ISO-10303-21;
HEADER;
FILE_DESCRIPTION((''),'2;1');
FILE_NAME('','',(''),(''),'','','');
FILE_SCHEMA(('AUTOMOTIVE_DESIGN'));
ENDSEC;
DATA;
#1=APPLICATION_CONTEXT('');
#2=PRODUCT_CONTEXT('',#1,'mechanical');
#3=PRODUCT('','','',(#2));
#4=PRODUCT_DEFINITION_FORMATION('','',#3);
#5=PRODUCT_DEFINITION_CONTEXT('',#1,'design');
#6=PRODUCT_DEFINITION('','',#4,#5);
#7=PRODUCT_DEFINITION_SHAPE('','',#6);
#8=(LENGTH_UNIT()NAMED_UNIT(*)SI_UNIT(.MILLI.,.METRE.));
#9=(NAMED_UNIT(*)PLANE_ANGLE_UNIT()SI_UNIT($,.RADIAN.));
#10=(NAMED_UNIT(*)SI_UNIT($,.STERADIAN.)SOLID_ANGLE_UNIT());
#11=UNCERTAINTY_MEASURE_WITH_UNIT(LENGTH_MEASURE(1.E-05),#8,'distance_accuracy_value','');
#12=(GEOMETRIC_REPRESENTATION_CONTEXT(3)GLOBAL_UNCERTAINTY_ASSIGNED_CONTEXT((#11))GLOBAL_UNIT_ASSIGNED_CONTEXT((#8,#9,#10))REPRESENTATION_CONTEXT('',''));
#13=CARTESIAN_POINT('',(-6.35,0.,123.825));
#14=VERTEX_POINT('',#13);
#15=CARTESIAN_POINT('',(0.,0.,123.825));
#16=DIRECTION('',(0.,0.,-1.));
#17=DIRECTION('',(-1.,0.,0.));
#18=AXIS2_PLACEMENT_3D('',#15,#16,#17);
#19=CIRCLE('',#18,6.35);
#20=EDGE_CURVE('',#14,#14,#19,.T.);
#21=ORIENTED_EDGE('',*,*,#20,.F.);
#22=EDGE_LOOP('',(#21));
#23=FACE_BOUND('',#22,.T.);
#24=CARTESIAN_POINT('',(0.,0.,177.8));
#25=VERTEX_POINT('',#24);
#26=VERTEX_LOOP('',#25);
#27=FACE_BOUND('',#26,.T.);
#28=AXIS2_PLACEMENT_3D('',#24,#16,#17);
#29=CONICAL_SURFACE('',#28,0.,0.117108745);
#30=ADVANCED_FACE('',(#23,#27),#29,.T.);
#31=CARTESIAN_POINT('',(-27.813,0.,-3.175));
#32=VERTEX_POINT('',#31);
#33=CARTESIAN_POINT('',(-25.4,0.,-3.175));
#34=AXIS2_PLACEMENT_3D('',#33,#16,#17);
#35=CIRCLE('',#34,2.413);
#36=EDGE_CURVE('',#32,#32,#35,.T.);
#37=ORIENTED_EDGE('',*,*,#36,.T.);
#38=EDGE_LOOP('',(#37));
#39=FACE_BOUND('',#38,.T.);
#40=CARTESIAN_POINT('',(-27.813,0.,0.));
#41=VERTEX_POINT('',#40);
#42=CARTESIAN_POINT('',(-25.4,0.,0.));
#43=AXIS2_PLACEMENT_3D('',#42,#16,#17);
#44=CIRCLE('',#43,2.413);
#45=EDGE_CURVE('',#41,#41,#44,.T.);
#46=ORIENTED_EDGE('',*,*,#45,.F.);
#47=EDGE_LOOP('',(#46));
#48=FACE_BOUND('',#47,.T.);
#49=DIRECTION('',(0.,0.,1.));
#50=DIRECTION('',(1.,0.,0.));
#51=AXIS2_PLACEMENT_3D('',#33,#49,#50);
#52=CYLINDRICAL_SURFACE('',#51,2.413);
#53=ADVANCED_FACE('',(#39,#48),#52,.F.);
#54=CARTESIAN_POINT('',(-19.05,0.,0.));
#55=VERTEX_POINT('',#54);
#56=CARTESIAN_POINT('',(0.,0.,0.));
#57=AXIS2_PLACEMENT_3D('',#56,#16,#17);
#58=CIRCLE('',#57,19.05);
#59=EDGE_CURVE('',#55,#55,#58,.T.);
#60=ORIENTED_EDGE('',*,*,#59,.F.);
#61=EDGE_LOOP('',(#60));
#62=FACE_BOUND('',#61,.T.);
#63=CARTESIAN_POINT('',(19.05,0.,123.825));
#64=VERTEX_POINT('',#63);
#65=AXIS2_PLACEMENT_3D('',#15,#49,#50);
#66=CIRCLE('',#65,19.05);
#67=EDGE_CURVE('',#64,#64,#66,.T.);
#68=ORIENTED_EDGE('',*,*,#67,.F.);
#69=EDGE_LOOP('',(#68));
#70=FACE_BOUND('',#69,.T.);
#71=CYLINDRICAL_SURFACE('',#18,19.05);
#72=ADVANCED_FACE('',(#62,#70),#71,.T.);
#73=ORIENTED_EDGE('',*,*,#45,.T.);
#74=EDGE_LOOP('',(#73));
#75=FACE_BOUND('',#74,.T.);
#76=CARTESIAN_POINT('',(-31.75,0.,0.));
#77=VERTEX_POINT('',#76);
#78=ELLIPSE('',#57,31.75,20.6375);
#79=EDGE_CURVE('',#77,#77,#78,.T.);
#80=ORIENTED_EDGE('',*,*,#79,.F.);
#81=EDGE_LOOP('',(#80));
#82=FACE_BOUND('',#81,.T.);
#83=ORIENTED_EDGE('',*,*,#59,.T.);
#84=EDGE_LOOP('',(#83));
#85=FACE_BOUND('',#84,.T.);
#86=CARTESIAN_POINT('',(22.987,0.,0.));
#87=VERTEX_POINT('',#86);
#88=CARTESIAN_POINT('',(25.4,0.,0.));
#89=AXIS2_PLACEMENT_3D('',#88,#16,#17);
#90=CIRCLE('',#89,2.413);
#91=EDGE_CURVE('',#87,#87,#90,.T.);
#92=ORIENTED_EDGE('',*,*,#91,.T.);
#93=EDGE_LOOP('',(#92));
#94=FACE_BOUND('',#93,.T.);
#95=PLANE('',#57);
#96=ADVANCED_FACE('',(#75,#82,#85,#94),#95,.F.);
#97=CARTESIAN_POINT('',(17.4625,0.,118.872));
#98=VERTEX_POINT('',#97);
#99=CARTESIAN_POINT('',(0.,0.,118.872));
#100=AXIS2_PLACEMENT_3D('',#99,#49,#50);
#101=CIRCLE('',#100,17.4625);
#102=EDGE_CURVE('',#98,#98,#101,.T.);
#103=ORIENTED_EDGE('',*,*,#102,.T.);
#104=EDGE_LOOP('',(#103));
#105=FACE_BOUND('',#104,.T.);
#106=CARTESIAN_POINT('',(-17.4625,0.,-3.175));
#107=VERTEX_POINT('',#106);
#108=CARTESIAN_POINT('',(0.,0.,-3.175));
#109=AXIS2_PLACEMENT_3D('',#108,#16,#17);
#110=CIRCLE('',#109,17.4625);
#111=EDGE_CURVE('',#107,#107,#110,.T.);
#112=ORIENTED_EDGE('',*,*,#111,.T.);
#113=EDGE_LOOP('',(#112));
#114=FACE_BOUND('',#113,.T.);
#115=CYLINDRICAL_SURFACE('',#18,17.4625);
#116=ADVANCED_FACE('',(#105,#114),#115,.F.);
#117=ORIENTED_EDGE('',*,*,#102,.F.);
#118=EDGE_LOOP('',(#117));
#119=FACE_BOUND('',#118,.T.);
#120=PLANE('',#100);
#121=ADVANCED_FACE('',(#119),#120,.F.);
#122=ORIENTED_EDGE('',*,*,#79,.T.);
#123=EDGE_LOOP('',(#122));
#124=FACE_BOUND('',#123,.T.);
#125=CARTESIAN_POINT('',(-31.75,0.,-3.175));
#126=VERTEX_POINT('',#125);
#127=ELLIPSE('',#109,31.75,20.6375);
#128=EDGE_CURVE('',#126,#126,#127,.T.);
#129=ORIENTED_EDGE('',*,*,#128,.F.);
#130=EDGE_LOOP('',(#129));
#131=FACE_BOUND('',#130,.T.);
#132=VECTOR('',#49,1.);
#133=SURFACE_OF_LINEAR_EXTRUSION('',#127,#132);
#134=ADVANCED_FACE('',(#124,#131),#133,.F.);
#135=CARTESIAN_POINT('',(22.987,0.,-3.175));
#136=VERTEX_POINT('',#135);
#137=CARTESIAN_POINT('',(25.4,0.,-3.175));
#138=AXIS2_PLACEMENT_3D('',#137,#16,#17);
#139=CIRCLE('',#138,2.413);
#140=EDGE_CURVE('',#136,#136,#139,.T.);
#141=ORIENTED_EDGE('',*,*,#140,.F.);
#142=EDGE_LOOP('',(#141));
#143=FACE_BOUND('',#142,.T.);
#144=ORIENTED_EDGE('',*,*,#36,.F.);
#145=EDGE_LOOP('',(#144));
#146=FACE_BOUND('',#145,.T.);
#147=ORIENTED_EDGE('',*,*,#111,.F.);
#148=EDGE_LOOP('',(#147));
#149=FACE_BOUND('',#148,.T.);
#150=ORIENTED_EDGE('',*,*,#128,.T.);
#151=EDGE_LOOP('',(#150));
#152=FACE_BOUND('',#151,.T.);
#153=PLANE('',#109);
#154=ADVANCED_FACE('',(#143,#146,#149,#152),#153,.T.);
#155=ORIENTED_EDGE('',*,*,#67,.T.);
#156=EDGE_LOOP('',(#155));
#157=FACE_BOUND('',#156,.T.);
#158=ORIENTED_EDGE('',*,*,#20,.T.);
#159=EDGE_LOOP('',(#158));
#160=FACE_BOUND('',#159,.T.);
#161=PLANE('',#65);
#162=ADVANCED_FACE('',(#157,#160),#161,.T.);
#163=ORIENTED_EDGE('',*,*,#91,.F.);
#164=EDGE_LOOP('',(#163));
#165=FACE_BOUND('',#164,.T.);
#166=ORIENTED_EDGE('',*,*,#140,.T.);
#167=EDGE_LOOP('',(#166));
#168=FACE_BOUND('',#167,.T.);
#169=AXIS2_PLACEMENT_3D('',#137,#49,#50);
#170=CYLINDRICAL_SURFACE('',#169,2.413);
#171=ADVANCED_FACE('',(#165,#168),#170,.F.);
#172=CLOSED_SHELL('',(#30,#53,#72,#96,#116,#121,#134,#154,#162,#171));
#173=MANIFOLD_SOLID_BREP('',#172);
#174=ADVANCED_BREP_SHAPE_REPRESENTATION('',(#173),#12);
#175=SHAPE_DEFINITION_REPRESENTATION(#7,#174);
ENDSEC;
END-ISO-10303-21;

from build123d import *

# Parameters (mm, degrees)
SKETCH1_R           = 19.05
SKETCH1_R_2         = 17.4625
BOSS_EXTRUDE1_DEPTH = 123.825
SKETCH2_RX          = 31.75
SKETCH2_RY          = 20.6375
SKETCH2_R           = 17.4625
SKETCH2_R_2         = 2.413
BOSS_EXTRUDE2_DEPTH = 3.175
SKETCH3_R           = 17.4625
BOSS_EXTRUDE3_DEPTH = 4.953


with BuildPart() as part:
    # Sketch1 → Boss-Extrude1 (new body)
    with BuildSketch(Plane.XY):
        Circle(SKETCH1_R)
        Circle(SKETCH1_R_2, mode=Mode.SUBTRACT)
    extrude(amount=BOSS_EXTRUDE1_DEPTH)

    # Sketch2 → Boss-Extrude2 (add)
    with BuildSketch(Plane(origin=(0, 0, 0), x_dir=(-1, 0, 0), z_dir=(0, 0, -1))):
        with Locations((0, 0)):
            Ellipse(SKETCH2_RX, SKETCH2_RY)
        Circle(SKETCH2_R, mode=Mode.SUBTRACT)
        with Locations((25.4, 0)):
            Circle(SKETCH2_R_2, mode=Mode.SUBTRACT)
        with Locations((-25.4, 0)):
            Circle(SKETCH2_R_2, mode=Mode.SUBTRACT)
    extrude(amount=BOSS_EXTRUDE2_DEPTH)

    # Sketch3 → Boss-Extrude3 (add)
    with BuildSketch(Plane.XY.offset(123.825)):
        Circle(SKETCH3_R)
    extrude(amount=-BOSS_EXTRUDE3_DEPTH)

    # Sketch4 → Revolve1 (revolve)
    with BuildSketch(Plane(origin=(0, 0, 0), x_dir=(1, 0, 0), z_dir=(0, 1, 0))):
        Polygon((0, -123.825), (0, -177.8), (6.35, -123.825), align=None)
    revolve(axis=Axis((0, 0, 123.825), (0, 0, 1)))


solid = part.part
